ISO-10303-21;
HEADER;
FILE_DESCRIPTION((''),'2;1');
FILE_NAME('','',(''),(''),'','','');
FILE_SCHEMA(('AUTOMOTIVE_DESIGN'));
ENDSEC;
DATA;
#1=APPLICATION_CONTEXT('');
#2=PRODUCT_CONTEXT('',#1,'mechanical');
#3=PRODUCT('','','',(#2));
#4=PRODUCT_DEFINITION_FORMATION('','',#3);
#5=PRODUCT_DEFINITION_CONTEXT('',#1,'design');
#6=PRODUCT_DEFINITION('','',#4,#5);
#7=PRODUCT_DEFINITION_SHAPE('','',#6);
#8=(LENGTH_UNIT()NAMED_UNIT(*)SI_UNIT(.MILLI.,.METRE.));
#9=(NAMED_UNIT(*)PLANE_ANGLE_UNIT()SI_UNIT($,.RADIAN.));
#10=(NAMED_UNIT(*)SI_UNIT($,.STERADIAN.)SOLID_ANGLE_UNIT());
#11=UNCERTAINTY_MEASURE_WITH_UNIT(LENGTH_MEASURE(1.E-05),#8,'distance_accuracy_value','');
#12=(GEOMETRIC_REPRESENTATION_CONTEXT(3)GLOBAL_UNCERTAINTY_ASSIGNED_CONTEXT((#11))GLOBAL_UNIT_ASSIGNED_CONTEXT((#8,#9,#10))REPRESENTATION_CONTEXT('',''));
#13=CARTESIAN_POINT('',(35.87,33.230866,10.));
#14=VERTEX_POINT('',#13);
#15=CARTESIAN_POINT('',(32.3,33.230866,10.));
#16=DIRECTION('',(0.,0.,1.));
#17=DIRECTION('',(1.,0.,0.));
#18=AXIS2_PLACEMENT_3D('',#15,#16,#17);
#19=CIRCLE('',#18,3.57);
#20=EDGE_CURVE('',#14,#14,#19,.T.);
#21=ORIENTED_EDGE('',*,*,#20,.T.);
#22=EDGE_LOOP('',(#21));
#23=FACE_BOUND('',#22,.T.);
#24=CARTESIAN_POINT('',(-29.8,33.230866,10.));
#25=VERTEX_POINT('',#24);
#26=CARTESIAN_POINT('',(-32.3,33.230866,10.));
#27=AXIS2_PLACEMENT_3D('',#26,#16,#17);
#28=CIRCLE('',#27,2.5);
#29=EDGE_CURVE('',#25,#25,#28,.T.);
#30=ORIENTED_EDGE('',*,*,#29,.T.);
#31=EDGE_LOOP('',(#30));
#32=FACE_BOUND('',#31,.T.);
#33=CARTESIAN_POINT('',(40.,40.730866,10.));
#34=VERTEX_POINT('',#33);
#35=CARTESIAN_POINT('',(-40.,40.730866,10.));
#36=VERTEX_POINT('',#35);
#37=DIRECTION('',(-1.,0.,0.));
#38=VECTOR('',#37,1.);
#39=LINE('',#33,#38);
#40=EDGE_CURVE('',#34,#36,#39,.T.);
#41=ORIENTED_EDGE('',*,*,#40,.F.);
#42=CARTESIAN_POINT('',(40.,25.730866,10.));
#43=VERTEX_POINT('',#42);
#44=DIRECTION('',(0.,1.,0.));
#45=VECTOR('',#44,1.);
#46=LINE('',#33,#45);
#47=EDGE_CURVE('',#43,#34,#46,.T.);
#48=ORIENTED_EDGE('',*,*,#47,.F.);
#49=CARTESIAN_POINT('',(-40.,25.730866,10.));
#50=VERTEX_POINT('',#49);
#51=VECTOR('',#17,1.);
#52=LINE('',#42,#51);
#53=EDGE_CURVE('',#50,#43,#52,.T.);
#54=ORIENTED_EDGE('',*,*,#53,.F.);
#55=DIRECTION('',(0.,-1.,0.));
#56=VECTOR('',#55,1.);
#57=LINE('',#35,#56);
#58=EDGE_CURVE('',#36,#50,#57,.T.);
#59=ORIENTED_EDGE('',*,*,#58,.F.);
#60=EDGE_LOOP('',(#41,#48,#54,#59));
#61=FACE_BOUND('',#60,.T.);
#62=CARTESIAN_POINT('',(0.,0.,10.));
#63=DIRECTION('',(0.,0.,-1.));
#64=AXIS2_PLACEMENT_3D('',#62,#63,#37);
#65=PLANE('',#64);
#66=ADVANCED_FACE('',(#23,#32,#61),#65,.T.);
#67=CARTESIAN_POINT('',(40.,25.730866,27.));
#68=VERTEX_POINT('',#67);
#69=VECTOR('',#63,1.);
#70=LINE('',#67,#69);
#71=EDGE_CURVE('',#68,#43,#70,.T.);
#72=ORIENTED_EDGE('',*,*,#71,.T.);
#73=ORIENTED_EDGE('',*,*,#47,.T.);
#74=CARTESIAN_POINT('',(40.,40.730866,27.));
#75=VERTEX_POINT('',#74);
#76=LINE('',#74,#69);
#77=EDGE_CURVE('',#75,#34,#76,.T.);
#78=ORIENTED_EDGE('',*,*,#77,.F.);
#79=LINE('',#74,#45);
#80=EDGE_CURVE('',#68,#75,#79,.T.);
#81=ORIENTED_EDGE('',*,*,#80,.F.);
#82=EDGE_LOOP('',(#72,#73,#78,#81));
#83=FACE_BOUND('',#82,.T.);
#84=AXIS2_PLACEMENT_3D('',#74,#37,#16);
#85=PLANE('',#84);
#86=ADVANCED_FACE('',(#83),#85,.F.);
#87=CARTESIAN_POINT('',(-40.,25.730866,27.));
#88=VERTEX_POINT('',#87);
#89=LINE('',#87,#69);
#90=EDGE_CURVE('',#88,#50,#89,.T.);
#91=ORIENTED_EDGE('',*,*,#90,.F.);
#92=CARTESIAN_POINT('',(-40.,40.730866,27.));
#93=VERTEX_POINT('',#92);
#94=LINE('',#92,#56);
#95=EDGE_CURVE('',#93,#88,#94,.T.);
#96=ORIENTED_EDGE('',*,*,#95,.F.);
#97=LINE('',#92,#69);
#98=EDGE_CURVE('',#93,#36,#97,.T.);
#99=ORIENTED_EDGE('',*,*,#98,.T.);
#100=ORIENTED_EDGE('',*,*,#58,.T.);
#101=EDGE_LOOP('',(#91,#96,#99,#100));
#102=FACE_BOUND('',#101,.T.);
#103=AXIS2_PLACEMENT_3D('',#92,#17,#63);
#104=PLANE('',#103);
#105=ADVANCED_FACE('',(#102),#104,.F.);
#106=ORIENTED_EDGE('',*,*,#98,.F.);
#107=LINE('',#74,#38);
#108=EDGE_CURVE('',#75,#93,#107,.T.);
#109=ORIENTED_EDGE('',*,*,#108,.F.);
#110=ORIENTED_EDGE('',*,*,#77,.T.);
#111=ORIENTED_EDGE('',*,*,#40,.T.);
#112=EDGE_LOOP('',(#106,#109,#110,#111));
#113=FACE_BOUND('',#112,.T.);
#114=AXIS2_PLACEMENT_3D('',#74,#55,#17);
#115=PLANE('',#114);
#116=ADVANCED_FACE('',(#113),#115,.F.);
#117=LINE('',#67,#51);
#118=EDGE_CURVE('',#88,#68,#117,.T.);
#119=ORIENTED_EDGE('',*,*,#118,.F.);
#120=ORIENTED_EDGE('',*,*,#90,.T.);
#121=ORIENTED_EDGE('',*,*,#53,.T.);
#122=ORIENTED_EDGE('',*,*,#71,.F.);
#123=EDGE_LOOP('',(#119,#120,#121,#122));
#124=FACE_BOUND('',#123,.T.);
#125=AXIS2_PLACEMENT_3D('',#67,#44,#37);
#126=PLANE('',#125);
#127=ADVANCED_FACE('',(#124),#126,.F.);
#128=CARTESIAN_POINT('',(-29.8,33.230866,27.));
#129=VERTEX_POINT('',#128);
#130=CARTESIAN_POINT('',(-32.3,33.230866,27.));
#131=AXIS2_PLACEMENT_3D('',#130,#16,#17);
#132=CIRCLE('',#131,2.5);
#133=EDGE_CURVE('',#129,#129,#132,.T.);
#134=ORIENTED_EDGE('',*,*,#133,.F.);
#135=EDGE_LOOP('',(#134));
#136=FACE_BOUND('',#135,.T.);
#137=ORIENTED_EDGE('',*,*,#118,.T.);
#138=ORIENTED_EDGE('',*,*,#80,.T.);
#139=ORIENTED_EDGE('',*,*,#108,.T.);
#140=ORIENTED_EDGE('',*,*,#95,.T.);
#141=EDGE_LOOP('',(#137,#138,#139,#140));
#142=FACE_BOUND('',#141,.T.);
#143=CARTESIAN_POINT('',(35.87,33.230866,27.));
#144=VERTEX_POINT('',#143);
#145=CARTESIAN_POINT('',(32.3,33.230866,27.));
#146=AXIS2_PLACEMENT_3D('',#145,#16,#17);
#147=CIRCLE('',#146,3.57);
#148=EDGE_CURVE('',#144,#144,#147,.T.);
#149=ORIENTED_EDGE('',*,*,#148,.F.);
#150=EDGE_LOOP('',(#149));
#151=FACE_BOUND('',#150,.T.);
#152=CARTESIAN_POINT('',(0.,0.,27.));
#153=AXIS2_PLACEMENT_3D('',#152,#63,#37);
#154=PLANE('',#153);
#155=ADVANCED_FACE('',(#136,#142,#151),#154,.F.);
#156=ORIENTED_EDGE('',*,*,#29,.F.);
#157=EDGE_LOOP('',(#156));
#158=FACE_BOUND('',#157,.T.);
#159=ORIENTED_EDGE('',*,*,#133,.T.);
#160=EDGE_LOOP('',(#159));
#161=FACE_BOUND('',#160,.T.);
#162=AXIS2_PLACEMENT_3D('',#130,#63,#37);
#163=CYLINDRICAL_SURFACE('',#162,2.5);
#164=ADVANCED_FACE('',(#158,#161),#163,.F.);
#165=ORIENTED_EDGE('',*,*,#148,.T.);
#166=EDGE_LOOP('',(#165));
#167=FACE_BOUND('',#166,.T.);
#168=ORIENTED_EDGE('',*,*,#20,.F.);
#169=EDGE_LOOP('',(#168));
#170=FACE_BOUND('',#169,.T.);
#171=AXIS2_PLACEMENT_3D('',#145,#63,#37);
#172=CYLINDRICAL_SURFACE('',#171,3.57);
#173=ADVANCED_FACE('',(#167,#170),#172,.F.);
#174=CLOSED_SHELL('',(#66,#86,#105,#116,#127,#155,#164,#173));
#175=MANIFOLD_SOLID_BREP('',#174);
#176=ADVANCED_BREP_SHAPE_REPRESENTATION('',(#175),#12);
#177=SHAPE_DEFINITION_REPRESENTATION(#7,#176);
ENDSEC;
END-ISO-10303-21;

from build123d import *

# Parameters (mm, degrees)
BOSS_EXTRUDE1_START = 10
SKETCH1_W           = 80
SKETCH1_H           = 15
SKETCH1_R           = 3.57
SKETCH1_R_2         = 2.5
BOSS_EXTRUDE1_DEPTH = 17


with BuildPart() as part:
    # Sketch1 → Boss-Extrude1 (new body)
    with BuildSketch(Plane.XY.offset(BOSS_EXTRUDE1_START)):
        with Locations((0, 33.230865744)):
            Rectangle(SKETCH1_W, SKETCH1_H)
        with Locations((32.3, 33.230865744)):
            Circle(SKETCH1_R, mode=Mode.SUBTRACT)
        with Locations((-32.3, 33.230865744)):
            Circle(SKETCH1_R_2, mode=Mode.SUBTRACT)
    extrude(amount=BOSS_EXTRUDE1_DEPTH)


solid = part.part
